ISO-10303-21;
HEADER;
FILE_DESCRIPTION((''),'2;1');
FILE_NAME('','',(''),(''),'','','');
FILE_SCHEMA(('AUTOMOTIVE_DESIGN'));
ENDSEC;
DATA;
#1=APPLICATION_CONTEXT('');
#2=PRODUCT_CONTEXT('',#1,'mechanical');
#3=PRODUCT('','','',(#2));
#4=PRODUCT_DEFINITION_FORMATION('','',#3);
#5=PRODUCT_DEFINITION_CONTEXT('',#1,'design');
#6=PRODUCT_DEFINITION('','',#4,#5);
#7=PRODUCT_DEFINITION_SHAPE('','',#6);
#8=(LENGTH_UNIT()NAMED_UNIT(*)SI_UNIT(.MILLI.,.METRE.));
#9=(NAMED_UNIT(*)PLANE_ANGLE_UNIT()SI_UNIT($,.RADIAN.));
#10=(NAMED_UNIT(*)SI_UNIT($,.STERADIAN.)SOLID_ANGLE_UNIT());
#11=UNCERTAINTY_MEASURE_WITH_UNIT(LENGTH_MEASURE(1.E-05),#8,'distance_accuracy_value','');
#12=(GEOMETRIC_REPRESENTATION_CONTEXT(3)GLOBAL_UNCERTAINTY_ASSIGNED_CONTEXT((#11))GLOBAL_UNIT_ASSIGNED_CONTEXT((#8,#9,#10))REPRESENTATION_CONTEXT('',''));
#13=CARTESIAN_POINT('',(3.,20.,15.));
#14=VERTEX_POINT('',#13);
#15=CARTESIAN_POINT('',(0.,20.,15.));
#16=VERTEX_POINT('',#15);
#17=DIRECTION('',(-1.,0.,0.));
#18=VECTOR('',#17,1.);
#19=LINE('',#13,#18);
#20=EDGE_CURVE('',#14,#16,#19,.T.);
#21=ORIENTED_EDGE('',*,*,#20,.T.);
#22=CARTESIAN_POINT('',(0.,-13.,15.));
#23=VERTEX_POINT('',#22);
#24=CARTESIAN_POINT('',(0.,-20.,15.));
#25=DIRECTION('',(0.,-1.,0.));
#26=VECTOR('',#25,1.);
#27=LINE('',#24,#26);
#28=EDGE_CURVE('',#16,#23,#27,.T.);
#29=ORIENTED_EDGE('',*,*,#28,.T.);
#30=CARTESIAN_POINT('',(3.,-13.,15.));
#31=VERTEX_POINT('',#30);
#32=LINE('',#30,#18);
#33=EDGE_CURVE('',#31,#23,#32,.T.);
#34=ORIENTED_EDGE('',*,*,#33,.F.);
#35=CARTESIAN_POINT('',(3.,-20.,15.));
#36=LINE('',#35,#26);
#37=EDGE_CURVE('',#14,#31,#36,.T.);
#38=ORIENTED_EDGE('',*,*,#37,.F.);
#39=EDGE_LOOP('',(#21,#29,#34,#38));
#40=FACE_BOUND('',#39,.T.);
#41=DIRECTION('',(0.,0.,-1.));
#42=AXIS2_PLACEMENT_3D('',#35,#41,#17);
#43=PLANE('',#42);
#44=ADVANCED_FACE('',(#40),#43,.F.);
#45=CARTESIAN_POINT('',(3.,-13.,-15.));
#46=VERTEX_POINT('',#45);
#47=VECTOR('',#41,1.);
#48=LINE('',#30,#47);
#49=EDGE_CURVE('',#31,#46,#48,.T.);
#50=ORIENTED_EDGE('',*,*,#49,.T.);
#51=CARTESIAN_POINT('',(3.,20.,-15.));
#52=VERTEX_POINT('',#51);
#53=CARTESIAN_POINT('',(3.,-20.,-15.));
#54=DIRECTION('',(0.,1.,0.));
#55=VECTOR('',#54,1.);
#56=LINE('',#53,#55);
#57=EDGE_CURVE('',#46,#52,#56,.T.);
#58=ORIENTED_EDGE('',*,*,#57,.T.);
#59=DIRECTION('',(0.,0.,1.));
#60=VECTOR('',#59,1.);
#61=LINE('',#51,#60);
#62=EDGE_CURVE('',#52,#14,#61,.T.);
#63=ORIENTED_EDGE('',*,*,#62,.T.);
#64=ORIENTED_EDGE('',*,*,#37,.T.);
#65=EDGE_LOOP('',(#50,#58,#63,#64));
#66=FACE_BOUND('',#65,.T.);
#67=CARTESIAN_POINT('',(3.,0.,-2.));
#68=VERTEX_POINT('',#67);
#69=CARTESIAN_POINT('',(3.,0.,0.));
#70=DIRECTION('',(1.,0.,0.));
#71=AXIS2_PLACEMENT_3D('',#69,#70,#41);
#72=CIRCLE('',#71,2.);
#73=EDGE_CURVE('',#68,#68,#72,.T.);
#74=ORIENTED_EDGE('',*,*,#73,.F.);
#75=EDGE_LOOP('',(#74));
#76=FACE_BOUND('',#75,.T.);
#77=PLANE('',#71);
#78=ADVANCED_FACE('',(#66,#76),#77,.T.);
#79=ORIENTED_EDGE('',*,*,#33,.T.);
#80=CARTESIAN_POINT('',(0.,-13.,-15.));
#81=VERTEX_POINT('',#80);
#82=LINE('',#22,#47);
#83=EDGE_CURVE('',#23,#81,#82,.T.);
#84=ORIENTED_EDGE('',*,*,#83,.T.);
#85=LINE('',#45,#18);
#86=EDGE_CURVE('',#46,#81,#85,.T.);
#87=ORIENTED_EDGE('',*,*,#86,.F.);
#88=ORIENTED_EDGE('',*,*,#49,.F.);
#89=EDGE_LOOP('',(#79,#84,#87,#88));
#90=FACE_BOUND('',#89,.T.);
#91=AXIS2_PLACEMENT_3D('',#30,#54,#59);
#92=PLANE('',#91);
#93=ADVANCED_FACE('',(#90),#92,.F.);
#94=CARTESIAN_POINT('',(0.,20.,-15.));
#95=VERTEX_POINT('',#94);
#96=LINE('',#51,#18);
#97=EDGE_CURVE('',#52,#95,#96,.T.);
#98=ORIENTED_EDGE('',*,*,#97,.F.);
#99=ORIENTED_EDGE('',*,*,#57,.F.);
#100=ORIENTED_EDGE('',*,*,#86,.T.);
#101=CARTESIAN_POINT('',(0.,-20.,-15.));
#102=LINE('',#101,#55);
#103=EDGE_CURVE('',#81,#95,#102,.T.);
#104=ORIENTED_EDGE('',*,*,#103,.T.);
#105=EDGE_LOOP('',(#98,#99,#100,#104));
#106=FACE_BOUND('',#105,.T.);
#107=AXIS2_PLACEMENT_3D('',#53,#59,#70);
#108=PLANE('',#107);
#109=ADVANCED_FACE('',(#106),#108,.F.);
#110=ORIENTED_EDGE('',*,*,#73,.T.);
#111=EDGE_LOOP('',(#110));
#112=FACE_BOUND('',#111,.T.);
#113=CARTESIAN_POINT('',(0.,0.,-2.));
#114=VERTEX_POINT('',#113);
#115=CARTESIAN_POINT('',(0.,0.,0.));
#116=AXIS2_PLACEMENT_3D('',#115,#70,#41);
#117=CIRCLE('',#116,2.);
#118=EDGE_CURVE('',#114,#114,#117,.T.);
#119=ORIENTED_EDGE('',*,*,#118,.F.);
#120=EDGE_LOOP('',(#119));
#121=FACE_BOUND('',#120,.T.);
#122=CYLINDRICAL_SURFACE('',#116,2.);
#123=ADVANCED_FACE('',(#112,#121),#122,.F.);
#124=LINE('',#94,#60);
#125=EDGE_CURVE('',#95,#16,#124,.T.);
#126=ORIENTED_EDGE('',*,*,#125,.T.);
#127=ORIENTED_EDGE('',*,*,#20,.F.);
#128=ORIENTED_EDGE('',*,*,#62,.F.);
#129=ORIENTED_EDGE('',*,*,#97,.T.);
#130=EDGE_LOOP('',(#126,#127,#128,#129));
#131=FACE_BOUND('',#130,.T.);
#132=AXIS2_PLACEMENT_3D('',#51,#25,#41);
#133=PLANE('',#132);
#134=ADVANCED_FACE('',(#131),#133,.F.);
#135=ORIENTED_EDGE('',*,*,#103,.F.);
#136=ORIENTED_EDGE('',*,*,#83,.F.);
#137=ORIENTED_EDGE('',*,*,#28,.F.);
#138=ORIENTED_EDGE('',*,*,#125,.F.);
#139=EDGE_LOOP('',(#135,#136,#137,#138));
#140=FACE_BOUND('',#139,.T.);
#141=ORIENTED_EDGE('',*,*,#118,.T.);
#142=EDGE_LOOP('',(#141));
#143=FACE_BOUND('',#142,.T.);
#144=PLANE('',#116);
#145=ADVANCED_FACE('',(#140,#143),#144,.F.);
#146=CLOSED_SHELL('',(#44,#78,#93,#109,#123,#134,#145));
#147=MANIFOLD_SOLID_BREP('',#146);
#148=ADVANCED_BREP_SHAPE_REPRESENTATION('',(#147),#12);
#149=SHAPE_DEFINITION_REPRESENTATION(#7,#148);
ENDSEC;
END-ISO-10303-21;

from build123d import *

# Parameters (mm, degrees)
SKETCH_1_W          = 30
SKETCH_1_H          = 40
EXTRUDE_1_DEPTH     = 3
SKETCH_2_R          = 2
CUT_EXTRUDE_1_DEPTH = 4
SKETCH_3_W          = 30
SKETCH_3_H          = 7
CUT_EXTRUDE_2_DEPTH = 4


with BuildPart() as part:
    # 草图1 → 凸台-拉伸1 (new body)
    with BuildSketch(Plane(origin=(0, 0, 0), x_dir=(0, 0, -1), z_dir=(1, 0, 0))):
        Rectangle(SKETCH_1_W, SKETCH_1_H)
    extrude(amount=EXTRUDE_1_DEPTH)

    # 草图2 → 切除-拉伸1 (cut, through all)
    with BuildSketch(Plane(origin=(3, 0, 0), x_dir=(0, 0, -1), z_dir=(1, 0, 0))):
        Circle(SKETCH_2_R)
    extrude(amount=-CUT_EXTRUDE_1_DEPTH, mode=Mode.SUBTRACT)

    # 草图3 → 切除-拉伸2 (cut, through all)
    with BuildSketch(Plane.ZY):
        with Locations((0, -16.5)):
            Rectangle(SKETCH_3_W, SKETCH_3_H)
    extrude(amount=-CUT_EXTRUDE_2_DEPTH, mode=Mode.SUBTRACT)


solid = part.part
